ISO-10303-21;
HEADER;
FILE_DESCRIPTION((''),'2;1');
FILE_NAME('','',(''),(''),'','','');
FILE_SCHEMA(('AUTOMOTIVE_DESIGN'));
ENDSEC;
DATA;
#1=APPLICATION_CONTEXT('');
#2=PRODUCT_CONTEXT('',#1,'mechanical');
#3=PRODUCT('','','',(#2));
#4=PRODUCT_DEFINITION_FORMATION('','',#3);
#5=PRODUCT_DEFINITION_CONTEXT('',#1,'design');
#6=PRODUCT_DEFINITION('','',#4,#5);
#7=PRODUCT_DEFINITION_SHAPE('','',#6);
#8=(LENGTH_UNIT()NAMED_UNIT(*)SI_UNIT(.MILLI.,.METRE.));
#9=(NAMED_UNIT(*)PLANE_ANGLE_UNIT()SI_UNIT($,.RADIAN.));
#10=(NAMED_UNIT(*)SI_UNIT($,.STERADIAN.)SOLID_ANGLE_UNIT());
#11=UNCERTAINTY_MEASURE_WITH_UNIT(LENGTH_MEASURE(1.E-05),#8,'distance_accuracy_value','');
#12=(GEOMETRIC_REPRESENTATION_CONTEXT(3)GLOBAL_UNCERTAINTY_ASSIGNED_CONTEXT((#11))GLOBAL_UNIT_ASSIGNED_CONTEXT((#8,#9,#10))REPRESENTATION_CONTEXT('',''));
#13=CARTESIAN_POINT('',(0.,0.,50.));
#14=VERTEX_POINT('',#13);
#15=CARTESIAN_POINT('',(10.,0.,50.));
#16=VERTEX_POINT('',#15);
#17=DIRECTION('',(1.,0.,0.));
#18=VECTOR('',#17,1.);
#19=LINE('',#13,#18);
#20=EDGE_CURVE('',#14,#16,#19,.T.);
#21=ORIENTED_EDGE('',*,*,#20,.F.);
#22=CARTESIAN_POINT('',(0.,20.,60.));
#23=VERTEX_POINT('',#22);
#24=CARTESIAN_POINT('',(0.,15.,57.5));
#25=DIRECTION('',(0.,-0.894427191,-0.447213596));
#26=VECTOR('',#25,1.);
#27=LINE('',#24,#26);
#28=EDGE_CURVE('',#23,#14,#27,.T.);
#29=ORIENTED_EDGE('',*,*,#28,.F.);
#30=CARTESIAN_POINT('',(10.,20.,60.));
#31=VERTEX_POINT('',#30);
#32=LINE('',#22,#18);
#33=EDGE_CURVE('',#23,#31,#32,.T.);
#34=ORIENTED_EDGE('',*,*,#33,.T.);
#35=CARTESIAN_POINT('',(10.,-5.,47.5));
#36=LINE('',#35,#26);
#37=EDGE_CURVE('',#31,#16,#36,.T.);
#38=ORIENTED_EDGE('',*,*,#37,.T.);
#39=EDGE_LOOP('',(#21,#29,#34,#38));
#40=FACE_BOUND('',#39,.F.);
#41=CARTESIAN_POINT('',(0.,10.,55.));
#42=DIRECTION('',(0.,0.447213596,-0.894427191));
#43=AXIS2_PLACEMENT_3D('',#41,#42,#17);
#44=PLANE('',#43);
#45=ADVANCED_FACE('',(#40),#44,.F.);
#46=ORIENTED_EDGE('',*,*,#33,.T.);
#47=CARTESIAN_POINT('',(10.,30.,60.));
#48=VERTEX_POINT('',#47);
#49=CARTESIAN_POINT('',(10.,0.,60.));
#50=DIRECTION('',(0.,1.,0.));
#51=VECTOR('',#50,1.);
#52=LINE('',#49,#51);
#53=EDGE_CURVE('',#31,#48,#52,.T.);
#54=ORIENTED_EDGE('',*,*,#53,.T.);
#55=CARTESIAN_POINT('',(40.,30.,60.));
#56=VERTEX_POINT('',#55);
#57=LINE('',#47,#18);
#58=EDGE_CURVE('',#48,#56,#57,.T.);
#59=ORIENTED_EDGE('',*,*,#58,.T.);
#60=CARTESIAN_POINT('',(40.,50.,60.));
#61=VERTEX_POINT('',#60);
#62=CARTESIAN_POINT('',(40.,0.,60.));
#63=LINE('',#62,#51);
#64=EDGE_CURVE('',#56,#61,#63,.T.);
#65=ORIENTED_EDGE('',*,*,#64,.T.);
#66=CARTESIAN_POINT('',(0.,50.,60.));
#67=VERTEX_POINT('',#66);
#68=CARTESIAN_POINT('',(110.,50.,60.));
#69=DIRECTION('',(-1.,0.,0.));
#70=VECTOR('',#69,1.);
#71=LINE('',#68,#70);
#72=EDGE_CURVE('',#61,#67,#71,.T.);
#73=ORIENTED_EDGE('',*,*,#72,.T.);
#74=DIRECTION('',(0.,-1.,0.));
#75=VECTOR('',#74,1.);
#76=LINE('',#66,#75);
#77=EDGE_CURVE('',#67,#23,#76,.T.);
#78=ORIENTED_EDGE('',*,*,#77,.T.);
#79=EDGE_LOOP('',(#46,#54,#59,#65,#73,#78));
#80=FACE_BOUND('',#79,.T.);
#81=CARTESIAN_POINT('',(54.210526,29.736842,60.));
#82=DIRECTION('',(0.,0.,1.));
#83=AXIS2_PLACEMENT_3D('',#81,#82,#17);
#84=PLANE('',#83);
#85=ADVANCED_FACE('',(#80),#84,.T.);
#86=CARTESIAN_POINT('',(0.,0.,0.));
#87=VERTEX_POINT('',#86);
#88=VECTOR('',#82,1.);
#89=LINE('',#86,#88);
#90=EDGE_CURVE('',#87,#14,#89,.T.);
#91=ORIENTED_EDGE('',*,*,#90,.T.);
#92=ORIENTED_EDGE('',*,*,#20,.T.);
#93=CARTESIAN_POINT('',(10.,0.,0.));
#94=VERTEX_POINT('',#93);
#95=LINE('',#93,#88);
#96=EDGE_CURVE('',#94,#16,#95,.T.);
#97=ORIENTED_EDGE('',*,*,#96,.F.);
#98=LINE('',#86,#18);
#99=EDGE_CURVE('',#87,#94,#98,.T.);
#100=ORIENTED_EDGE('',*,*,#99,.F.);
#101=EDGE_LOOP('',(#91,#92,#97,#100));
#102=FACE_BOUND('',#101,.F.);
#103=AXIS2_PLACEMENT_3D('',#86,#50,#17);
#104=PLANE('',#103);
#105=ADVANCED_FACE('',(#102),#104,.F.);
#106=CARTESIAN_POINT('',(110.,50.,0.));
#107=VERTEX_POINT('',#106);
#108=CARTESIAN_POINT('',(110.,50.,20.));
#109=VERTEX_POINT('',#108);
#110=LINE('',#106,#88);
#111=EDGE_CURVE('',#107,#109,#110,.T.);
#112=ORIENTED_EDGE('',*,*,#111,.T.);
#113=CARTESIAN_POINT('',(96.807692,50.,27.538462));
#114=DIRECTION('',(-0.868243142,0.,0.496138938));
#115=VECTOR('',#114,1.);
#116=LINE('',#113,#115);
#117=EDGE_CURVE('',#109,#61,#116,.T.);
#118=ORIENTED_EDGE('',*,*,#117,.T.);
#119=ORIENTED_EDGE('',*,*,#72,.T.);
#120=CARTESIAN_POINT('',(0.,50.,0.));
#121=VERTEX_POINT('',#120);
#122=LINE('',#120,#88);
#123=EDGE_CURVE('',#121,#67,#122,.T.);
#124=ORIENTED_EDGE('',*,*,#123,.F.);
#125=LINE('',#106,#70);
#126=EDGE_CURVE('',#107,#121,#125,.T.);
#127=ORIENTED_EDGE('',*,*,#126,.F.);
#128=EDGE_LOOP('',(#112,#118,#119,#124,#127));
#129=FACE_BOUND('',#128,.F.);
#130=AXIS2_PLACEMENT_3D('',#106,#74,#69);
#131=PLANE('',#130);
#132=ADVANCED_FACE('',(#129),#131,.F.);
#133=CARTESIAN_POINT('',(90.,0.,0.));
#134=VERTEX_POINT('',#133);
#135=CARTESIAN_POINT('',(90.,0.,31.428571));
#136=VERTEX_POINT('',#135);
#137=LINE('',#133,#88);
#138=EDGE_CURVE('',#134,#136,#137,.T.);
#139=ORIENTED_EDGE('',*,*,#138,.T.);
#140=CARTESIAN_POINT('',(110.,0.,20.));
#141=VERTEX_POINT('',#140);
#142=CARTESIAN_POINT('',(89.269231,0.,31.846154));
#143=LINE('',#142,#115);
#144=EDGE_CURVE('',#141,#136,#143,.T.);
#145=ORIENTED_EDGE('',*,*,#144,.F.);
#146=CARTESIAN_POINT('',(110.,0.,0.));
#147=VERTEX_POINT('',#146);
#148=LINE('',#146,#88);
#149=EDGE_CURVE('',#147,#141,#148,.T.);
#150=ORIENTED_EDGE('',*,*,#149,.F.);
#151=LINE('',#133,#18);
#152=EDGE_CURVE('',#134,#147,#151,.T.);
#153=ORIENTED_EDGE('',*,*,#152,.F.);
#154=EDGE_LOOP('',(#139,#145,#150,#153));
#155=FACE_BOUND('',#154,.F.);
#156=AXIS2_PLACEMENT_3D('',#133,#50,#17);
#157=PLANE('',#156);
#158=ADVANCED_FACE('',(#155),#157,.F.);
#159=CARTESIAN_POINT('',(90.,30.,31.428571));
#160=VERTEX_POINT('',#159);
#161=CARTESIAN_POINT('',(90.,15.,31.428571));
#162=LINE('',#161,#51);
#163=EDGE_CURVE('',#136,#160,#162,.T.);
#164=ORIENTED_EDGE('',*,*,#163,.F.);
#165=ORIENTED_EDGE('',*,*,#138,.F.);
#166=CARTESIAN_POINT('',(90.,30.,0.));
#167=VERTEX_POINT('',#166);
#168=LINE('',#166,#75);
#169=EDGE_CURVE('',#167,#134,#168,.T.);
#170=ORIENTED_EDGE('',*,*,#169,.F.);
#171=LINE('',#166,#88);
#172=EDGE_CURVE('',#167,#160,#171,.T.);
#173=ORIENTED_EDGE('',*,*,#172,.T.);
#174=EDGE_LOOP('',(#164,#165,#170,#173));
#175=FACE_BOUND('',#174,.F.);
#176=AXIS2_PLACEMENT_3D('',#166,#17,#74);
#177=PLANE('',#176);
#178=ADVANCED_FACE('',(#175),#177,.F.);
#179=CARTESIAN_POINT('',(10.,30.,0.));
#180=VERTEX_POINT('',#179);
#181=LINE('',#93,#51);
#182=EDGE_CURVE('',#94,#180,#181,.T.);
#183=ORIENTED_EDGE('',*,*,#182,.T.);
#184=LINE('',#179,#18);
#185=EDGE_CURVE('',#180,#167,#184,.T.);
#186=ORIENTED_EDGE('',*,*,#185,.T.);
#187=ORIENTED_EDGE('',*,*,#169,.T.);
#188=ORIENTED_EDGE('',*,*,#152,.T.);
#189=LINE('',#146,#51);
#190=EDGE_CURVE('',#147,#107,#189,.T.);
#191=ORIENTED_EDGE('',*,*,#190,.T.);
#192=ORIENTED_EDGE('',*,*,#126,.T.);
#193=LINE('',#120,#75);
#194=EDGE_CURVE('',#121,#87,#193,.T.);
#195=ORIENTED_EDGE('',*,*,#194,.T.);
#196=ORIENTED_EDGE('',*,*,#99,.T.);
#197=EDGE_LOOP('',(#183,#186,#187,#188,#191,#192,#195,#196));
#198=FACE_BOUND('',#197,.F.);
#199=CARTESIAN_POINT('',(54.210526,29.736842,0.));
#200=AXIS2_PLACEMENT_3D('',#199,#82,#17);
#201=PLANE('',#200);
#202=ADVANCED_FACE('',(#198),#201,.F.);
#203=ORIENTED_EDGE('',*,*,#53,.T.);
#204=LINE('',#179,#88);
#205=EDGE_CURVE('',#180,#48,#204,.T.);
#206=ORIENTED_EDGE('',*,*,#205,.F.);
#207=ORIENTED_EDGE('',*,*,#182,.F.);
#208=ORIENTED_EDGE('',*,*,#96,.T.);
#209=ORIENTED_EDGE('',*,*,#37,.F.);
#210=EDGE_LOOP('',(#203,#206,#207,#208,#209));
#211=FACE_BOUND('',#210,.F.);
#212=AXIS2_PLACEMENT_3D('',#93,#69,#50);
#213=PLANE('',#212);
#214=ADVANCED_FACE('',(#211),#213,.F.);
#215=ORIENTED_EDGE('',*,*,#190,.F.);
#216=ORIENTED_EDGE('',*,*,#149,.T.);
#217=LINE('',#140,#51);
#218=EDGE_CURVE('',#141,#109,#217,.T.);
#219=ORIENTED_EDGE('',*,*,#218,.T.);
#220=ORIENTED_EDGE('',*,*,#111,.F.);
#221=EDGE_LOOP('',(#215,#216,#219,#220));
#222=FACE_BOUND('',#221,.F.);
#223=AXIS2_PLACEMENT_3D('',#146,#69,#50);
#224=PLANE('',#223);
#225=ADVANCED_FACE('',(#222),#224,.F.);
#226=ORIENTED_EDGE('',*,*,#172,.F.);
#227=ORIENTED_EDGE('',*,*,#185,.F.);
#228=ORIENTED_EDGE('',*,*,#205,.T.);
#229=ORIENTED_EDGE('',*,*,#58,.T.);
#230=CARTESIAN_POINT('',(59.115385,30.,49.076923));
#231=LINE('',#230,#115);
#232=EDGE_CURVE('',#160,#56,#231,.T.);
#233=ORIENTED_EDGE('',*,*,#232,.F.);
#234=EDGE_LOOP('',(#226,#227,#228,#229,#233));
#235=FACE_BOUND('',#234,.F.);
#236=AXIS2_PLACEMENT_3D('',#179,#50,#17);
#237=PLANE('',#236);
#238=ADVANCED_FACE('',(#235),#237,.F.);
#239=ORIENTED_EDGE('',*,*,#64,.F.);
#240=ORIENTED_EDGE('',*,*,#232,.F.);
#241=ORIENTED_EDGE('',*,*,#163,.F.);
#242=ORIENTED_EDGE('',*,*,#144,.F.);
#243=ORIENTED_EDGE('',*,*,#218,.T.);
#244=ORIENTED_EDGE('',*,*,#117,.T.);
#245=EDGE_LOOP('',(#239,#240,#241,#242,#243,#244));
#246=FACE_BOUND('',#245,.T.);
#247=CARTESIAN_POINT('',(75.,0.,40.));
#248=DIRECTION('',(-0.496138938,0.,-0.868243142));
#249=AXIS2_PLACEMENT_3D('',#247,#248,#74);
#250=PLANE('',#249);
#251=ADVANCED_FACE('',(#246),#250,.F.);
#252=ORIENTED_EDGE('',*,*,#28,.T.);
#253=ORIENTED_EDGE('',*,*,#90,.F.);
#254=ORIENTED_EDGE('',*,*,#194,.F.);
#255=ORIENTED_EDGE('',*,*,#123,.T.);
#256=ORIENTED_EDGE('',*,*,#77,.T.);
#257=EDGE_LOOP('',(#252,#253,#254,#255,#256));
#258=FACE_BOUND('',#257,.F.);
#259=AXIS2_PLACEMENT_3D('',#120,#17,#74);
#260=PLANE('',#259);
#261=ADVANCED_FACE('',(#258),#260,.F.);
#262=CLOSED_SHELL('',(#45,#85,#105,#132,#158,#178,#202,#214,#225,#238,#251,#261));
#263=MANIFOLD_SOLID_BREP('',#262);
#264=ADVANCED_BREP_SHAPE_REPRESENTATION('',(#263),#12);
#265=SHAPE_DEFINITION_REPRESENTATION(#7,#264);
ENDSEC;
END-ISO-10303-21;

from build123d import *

# Parameters (mm, degrees)
F1_DEPTH = 60
F2_SIZE2 = 10
F2_SIZE  = 20
F3_SIZE2 = 70
F3_SIZE  = 40


with BuildPart() as f1:
    # F0 (on Top) → F1 (new body)
    with BuildSketch(Plane.XY):
        Polygon((0, 50), (0, 0), (10, 0), (10, 30), (90, 30), (90, 0), (110, 0), (110, 50), align=None)
    extrude(amount=F1_DEPTH)

    # F2
    f2_edges = [f1.edges().sort_by_distance(p)[0] for p in [
        (5, 0, 60),
    ]]
    f2_side = f1.faces().sort_by_distance((58.870968, 32.741935, 60))[0]
    chamfer(f2_edges, length=F2_SIZE, length2=F2_SIZE2, reference=f2_side)

    # F3
    f3_edges = [f1.edges().sort_by_distance(p)[0] for p in [
        (110, 25, 60),
    ]]
    f3_side = f1.faces().sort_by_distance((110, 25, 30))[0]
    chamfer(f3_edges, length=F3_SIZE, length2=F3_SIZE2, reference=f3_side)


solid = f1.part
